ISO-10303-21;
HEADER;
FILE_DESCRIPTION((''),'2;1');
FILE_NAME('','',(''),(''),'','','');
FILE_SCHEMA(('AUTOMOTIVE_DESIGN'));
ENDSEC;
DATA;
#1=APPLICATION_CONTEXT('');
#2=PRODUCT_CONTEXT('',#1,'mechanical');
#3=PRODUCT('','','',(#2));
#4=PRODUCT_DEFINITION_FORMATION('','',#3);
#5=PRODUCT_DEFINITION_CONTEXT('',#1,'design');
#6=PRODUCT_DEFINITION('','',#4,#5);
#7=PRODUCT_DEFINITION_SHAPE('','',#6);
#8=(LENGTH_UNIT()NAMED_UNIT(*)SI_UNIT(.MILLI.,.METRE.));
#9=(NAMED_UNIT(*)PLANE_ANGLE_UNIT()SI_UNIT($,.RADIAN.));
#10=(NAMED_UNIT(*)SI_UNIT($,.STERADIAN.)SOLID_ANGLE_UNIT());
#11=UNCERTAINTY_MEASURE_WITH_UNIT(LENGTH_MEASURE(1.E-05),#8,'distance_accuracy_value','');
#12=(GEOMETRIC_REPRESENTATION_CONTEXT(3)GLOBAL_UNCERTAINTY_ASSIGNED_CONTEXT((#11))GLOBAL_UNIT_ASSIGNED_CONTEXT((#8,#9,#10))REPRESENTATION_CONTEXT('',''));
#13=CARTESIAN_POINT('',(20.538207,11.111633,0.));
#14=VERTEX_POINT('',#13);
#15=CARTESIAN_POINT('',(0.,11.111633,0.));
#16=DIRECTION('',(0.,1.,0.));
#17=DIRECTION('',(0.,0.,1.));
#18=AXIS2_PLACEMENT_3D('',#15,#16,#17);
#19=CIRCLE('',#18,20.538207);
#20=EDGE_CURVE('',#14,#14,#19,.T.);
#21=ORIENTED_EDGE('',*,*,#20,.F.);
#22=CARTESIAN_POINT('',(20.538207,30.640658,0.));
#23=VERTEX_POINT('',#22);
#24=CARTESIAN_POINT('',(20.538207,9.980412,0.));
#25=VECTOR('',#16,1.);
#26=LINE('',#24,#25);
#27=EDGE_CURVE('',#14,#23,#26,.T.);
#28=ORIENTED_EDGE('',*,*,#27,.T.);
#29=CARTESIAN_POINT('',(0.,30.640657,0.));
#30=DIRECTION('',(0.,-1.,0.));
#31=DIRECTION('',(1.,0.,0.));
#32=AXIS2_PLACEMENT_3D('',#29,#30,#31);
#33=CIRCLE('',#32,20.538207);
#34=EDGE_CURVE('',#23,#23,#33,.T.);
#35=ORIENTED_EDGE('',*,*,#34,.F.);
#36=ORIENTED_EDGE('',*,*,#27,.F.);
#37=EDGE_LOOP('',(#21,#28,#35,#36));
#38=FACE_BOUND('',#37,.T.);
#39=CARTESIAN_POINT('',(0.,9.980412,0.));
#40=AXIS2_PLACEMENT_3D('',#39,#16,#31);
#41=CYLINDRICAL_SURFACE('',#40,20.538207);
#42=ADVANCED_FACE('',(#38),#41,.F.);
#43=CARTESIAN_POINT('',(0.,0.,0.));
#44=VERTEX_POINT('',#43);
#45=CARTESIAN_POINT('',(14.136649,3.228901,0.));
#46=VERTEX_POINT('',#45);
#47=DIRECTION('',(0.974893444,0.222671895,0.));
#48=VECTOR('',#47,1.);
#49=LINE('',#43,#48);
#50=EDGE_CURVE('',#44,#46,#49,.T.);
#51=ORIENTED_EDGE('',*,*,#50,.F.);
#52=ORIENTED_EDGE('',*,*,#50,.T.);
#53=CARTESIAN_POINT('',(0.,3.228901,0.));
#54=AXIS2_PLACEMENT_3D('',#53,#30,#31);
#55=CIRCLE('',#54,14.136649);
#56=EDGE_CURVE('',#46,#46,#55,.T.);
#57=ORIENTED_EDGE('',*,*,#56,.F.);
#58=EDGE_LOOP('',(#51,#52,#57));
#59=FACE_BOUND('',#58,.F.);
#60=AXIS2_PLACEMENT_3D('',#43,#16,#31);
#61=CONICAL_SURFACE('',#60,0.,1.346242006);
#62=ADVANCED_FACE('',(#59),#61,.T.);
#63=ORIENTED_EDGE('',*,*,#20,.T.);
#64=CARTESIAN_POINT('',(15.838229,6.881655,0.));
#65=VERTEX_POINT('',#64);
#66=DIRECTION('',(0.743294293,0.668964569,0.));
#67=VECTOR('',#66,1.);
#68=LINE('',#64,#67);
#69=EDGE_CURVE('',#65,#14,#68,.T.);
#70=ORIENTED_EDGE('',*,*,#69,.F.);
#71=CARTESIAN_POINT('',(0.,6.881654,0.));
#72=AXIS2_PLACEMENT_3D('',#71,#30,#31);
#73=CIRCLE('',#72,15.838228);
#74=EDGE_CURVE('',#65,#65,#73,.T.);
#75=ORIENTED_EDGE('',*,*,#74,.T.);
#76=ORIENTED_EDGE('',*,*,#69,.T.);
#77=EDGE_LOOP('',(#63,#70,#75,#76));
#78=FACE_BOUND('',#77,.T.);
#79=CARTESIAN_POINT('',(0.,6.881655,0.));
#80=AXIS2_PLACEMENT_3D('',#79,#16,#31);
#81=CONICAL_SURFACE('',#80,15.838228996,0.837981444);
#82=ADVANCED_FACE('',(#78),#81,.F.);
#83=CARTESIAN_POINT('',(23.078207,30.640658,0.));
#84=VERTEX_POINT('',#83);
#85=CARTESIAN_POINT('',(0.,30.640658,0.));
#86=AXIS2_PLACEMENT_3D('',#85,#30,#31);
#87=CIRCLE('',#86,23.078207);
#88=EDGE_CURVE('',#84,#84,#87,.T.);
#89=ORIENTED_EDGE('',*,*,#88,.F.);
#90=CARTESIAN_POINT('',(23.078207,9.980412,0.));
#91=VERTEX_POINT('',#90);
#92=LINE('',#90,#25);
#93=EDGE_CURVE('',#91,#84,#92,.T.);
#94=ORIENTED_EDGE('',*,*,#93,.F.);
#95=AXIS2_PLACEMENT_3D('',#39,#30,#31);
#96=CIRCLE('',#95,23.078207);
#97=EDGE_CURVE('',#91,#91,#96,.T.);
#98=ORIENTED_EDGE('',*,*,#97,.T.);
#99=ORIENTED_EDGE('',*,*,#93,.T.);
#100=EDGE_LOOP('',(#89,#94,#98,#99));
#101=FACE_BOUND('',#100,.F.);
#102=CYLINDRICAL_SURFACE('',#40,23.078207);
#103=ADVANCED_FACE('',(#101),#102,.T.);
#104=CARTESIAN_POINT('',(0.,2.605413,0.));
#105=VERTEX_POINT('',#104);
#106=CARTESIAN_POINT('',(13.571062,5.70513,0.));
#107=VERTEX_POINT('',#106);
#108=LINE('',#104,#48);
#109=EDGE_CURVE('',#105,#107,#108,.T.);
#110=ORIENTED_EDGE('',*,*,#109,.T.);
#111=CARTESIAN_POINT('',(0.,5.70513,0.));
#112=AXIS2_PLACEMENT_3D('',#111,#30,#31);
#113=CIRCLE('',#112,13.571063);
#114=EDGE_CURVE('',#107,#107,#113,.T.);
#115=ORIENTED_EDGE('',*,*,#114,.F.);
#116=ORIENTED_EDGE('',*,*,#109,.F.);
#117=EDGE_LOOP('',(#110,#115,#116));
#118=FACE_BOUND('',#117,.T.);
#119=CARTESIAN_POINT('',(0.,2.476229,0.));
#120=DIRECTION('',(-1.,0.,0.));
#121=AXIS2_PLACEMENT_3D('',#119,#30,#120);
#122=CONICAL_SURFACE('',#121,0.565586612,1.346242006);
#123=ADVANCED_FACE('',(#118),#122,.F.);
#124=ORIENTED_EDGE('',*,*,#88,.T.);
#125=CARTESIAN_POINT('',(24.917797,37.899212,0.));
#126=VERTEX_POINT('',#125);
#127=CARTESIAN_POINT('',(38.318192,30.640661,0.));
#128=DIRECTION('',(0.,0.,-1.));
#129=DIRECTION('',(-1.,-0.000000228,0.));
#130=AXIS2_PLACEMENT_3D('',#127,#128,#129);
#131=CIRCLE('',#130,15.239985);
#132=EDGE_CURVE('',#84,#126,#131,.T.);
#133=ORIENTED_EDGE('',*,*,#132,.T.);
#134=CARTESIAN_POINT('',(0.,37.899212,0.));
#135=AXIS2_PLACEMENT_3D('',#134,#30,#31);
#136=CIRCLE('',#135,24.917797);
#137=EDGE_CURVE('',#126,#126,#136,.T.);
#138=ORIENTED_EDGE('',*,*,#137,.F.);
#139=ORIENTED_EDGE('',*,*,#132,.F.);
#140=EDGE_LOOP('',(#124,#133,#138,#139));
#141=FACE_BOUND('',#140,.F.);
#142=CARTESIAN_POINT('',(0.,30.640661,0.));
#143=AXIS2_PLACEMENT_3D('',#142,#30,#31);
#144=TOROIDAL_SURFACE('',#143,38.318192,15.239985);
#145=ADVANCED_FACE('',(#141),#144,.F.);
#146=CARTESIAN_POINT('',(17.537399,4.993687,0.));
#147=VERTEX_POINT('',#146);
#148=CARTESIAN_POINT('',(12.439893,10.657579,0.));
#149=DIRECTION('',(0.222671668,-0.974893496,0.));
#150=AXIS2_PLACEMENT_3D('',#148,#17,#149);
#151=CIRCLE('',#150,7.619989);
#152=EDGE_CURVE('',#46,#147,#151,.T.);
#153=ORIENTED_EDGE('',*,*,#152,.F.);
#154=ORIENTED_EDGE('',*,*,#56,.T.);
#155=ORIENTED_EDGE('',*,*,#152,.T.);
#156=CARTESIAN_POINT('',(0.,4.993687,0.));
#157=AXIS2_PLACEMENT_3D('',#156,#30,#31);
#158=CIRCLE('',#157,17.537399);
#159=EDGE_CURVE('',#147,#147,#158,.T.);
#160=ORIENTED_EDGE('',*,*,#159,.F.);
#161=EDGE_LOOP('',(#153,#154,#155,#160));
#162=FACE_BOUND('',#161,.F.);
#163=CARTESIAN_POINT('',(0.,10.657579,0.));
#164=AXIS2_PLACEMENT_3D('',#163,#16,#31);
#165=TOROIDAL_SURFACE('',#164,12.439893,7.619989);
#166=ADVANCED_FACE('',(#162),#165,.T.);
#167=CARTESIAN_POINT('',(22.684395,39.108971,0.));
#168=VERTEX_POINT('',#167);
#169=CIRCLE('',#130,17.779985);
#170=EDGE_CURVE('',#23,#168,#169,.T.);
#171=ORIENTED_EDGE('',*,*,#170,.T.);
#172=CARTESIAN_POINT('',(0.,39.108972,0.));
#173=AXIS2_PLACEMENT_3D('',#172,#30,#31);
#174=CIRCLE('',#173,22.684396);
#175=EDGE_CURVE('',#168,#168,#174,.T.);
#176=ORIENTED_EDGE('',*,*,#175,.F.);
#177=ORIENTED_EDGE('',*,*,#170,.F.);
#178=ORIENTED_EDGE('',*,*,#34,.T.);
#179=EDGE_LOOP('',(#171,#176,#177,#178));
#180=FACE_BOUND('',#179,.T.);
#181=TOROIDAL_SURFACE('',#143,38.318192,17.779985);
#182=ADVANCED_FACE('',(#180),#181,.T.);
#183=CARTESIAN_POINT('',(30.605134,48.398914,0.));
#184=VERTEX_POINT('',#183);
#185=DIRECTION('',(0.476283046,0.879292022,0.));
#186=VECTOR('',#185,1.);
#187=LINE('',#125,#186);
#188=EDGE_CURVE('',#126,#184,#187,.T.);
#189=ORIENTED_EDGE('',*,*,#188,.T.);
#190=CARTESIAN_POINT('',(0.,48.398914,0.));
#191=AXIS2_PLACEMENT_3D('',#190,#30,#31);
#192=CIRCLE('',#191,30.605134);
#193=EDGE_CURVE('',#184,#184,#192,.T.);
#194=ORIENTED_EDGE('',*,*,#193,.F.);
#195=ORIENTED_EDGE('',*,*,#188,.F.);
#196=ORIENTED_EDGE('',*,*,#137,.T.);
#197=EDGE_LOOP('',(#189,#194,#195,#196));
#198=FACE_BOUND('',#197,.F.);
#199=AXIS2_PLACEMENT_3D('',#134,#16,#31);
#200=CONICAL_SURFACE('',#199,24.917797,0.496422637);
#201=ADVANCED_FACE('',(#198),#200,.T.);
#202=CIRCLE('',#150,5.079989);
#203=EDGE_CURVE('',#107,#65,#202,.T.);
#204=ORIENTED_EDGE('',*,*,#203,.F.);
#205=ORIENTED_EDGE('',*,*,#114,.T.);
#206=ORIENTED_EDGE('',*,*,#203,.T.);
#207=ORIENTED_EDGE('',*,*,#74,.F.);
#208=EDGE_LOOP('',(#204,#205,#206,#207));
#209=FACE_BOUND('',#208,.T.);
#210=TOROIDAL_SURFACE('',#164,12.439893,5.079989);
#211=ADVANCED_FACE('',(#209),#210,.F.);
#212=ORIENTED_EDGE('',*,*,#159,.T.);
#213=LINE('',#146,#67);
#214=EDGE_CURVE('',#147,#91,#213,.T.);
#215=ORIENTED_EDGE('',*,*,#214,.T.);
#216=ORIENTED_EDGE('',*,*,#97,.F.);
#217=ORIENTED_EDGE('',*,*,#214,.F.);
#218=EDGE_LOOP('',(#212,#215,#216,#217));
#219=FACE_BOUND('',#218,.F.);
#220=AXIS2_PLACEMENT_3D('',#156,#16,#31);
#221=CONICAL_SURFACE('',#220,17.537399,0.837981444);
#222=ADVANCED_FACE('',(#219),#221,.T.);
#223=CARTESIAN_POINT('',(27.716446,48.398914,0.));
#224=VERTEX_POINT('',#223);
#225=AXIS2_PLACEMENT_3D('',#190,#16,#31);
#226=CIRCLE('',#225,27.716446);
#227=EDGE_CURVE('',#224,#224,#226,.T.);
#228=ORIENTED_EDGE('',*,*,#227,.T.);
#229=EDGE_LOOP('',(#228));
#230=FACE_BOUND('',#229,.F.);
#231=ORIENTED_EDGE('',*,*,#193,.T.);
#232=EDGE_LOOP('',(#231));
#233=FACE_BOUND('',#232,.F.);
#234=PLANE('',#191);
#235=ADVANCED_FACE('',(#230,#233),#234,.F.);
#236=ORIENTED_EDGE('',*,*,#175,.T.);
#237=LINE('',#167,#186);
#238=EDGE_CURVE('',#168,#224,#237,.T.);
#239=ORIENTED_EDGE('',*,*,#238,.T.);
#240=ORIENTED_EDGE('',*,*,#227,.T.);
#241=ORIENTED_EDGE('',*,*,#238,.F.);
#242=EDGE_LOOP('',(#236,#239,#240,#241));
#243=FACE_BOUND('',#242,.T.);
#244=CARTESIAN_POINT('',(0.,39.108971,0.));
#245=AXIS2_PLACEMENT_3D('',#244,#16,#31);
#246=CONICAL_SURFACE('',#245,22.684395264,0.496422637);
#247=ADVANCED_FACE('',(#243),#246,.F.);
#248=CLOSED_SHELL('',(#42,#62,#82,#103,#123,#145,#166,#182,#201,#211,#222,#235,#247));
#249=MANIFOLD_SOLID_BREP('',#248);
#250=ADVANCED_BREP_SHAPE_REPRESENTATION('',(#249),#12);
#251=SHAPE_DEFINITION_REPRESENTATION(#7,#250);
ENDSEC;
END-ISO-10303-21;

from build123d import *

# Parameters (mm, degrees)
F3_T = -2.54


with BuildPart() as f2:
    # F0 (on Top) → F2 (revolve)
    with BuildSketch(Plane.XY):
        with BuildLine():
            Line((30.605134, 48.398914), (0, 48.398914))
            Line((0, 48.398914), (0, 0))
            Line((0, 0), (14.136649, 3.228901))
            ThreePointArc((14.136649, 3.228901), (15.949753, 3.894065), (17.537399, 4.993687))
            Line((17.537399, 4.993687), (23.078207, 9.980412))
            Line((23.078207, 9.980412), (23.078207, 30.640658))
            ThreePointArc((23.078207, 30.640658), (23.545261, 34.384677), (24.917797, 37.899212))
            Line((24.917797, 37.899212), (30.605134, 48.398914))
        make_face()
    revolve(axis=Axis((0, 24.199457, 0), (0, -1, 0)))

    # F3
    f3_openings = [f2.faces().sort_by_distance(p)[0] for p in [
        (0, 48.398914, 0),
    ]]
    offset(amount=F3_T, openings=f3_openings)


solid = f2.part
